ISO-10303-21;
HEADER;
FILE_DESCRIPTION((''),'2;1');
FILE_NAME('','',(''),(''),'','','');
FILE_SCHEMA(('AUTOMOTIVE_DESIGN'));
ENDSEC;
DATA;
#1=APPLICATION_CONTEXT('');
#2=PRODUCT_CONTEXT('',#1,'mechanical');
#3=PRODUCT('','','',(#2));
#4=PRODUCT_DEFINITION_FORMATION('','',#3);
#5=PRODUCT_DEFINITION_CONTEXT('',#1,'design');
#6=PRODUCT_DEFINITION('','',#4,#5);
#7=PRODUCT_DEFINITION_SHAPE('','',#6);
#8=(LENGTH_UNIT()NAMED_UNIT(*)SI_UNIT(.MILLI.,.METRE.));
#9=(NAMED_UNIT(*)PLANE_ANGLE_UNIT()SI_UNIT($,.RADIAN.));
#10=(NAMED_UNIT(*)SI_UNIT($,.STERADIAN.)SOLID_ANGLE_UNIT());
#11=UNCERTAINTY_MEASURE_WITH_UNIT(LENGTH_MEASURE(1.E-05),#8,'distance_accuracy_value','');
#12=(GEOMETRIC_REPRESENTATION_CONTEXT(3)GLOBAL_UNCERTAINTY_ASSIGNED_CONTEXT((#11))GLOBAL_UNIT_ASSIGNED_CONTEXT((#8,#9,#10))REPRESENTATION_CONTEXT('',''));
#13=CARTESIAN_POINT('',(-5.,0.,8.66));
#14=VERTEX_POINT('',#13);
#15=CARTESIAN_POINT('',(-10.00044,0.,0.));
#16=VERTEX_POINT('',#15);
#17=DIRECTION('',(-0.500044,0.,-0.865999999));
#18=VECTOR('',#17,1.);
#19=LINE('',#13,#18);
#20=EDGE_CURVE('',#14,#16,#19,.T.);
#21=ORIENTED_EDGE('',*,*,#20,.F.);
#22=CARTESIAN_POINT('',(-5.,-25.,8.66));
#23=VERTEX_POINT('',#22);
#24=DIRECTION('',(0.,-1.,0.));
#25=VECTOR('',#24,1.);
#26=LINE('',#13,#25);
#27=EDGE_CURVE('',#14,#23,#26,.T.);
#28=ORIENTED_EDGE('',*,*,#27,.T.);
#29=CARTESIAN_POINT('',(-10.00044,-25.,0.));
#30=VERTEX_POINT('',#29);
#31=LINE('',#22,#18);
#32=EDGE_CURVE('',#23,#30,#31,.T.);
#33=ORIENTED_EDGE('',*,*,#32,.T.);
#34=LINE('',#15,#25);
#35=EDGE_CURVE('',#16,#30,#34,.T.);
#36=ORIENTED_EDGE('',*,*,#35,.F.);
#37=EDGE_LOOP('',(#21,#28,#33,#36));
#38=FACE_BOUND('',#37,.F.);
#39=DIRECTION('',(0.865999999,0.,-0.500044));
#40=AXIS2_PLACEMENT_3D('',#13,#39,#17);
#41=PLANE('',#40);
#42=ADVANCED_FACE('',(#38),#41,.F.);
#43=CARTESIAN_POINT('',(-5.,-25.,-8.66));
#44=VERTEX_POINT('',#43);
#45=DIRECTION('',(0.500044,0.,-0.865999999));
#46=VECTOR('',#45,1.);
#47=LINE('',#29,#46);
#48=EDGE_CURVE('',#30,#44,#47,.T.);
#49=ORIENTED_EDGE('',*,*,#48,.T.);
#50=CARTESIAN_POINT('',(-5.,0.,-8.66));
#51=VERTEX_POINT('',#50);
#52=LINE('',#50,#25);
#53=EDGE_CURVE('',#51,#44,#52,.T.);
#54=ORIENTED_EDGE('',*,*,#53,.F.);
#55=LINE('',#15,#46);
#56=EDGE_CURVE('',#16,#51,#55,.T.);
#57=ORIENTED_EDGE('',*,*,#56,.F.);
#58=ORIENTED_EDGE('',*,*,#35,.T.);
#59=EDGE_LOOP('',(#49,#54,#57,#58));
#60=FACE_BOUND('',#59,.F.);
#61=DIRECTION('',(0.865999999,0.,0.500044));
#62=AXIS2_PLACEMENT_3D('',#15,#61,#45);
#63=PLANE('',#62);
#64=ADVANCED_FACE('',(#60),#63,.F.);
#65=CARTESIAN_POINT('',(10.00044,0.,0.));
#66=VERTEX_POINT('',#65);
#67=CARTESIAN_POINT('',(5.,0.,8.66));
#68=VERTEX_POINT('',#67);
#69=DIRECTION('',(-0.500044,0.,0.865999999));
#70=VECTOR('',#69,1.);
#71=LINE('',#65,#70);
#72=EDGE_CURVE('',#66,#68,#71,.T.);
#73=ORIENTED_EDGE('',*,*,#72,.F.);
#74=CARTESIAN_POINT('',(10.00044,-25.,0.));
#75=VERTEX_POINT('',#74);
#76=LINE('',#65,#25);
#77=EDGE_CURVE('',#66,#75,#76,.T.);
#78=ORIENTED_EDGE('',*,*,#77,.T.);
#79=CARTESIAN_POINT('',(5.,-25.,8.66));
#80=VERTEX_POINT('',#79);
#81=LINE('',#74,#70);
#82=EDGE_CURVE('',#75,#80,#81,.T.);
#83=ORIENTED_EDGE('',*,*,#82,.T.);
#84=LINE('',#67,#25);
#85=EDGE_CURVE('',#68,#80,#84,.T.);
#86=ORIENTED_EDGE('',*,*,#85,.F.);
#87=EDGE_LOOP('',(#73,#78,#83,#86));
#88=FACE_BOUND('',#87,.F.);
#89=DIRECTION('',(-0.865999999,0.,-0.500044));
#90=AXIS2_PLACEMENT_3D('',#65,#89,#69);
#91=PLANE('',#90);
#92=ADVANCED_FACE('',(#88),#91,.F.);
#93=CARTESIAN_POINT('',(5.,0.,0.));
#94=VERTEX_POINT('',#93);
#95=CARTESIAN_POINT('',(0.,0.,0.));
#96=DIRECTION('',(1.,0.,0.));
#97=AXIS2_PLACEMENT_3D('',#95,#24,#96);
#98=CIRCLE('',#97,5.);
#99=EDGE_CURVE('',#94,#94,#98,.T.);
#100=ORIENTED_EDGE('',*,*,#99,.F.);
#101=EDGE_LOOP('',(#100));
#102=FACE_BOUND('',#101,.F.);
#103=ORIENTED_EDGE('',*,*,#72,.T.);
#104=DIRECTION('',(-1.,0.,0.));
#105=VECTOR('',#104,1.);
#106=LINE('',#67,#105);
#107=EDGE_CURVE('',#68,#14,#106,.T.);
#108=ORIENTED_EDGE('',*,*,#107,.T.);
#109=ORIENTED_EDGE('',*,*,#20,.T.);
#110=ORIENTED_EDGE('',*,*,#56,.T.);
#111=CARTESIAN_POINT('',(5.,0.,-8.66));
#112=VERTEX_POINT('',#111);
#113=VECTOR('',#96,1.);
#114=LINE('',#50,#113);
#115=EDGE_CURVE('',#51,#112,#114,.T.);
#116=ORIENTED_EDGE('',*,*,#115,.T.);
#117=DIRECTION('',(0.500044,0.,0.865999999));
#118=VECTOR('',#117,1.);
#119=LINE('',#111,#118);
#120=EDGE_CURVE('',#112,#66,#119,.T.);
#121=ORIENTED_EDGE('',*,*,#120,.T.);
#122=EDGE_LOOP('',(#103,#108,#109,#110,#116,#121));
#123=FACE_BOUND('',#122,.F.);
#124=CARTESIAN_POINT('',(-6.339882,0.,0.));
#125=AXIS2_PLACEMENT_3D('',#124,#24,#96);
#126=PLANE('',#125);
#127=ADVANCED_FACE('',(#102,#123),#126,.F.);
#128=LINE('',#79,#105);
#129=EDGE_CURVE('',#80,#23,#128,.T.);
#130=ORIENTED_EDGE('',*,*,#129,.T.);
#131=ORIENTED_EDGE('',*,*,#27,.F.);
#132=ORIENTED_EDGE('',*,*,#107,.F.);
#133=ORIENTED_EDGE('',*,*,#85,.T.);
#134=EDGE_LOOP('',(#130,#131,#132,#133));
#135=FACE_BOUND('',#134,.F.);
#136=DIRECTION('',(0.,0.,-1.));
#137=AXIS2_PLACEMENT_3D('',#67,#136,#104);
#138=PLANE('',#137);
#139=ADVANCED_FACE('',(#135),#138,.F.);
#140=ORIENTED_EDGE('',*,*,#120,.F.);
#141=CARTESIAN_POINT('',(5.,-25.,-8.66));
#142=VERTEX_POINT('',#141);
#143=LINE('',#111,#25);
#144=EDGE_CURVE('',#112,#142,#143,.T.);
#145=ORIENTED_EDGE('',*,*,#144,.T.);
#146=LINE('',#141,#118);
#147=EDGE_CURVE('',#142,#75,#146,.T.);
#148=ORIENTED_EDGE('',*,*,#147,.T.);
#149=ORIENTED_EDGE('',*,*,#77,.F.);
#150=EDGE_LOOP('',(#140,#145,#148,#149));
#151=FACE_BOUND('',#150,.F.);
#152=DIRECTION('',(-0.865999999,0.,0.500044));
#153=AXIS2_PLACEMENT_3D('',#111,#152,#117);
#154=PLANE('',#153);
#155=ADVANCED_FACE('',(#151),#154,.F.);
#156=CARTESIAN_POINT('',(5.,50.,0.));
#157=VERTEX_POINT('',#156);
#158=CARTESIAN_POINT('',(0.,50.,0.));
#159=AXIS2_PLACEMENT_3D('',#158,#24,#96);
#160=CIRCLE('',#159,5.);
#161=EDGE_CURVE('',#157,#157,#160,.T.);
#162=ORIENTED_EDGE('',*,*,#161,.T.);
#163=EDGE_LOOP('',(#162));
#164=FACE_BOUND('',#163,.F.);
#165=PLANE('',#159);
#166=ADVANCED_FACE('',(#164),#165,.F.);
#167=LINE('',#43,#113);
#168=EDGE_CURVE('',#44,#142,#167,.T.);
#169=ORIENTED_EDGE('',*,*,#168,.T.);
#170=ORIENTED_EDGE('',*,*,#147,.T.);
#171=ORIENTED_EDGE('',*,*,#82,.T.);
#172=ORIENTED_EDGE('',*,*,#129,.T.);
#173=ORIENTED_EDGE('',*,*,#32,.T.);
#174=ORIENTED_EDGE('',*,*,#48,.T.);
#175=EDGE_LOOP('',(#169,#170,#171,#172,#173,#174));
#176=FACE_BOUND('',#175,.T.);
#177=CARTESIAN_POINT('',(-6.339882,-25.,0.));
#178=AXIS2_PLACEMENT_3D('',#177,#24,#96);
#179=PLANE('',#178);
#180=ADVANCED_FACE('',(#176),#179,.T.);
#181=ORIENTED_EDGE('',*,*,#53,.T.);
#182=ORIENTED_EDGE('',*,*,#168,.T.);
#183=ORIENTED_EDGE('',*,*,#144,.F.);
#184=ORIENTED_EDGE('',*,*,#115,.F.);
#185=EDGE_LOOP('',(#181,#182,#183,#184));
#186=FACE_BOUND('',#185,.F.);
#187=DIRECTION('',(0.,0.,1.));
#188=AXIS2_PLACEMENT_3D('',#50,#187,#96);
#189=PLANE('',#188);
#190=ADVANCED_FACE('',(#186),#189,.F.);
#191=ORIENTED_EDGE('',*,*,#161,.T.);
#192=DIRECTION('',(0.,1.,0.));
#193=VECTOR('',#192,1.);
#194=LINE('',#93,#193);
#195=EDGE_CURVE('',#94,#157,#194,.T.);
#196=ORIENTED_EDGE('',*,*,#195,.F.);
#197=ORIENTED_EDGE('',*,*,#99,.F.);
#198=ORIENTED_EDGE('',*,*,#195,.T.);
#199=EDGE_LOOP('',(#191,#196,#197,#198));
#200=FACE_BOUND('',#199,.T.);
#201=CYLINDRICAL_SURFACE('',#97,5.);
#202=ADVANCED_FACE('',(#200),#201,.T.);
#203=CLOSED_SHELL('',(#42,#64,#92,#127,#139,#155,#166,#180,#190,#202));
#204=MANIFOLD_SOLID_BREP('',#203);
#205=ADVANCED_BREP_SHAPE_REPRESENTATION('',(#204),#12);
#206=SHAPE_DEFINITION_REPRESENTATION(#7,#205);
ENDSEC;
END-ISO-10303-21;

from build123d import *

# Parameters (mm, degrees)
F1_DEPTH = 25
F2_DEPTH = 50


with BuildPart() as f1:
    # F0 (on Front) → F1 (new body)
    with BuildSketch(Plane.XZ):
        Polygon((-5, 0), (-5, 8.66), (-10.00044, 0), (-5, -8.66), align=None)
        with BuildLine():
            Line((5, -8.66), (5, 0))
            ThreePointArc((5, 0), (0, -5), (-5, 0))
            Line((-5, 0), (-5, -8.66))
            Line((-5, -8.66), (5, -8.66))
        make_face()
        with BuildLine():
            ThreePointArc((-5, 0), (0, -5), (5, 0))
            ThreePointArc((5, 0), (0, 5), (-5, 0))
        make_face()
        with BuildLine():
            Line((5, 0), (5, 8.66))
            Line((5, 8.66), (-5, 8.66))
            Line((-5, 8.66), (-5, 0))
            ThreePointArc((-5, 0), (0, 5), (5, 0))
        make_face()
        Polygon((10.00044, 0), (5, 8.66), (5, 0), (5, -8.66), align=None)
    extrude(amount=F1_DEPTH)

    # F0 (on Front) → F2 (join)
    with BuildSketch(Plane.XZ):
        with BuildLine():
            ThreePointArc((-5, 0), (0, -5), (5, 0))
            ThreePointArc((5, 0), (0, 5), (-5, 0))
        make_face()
    extrude(amount=-F2_DEPTH)


solid = f1.part
